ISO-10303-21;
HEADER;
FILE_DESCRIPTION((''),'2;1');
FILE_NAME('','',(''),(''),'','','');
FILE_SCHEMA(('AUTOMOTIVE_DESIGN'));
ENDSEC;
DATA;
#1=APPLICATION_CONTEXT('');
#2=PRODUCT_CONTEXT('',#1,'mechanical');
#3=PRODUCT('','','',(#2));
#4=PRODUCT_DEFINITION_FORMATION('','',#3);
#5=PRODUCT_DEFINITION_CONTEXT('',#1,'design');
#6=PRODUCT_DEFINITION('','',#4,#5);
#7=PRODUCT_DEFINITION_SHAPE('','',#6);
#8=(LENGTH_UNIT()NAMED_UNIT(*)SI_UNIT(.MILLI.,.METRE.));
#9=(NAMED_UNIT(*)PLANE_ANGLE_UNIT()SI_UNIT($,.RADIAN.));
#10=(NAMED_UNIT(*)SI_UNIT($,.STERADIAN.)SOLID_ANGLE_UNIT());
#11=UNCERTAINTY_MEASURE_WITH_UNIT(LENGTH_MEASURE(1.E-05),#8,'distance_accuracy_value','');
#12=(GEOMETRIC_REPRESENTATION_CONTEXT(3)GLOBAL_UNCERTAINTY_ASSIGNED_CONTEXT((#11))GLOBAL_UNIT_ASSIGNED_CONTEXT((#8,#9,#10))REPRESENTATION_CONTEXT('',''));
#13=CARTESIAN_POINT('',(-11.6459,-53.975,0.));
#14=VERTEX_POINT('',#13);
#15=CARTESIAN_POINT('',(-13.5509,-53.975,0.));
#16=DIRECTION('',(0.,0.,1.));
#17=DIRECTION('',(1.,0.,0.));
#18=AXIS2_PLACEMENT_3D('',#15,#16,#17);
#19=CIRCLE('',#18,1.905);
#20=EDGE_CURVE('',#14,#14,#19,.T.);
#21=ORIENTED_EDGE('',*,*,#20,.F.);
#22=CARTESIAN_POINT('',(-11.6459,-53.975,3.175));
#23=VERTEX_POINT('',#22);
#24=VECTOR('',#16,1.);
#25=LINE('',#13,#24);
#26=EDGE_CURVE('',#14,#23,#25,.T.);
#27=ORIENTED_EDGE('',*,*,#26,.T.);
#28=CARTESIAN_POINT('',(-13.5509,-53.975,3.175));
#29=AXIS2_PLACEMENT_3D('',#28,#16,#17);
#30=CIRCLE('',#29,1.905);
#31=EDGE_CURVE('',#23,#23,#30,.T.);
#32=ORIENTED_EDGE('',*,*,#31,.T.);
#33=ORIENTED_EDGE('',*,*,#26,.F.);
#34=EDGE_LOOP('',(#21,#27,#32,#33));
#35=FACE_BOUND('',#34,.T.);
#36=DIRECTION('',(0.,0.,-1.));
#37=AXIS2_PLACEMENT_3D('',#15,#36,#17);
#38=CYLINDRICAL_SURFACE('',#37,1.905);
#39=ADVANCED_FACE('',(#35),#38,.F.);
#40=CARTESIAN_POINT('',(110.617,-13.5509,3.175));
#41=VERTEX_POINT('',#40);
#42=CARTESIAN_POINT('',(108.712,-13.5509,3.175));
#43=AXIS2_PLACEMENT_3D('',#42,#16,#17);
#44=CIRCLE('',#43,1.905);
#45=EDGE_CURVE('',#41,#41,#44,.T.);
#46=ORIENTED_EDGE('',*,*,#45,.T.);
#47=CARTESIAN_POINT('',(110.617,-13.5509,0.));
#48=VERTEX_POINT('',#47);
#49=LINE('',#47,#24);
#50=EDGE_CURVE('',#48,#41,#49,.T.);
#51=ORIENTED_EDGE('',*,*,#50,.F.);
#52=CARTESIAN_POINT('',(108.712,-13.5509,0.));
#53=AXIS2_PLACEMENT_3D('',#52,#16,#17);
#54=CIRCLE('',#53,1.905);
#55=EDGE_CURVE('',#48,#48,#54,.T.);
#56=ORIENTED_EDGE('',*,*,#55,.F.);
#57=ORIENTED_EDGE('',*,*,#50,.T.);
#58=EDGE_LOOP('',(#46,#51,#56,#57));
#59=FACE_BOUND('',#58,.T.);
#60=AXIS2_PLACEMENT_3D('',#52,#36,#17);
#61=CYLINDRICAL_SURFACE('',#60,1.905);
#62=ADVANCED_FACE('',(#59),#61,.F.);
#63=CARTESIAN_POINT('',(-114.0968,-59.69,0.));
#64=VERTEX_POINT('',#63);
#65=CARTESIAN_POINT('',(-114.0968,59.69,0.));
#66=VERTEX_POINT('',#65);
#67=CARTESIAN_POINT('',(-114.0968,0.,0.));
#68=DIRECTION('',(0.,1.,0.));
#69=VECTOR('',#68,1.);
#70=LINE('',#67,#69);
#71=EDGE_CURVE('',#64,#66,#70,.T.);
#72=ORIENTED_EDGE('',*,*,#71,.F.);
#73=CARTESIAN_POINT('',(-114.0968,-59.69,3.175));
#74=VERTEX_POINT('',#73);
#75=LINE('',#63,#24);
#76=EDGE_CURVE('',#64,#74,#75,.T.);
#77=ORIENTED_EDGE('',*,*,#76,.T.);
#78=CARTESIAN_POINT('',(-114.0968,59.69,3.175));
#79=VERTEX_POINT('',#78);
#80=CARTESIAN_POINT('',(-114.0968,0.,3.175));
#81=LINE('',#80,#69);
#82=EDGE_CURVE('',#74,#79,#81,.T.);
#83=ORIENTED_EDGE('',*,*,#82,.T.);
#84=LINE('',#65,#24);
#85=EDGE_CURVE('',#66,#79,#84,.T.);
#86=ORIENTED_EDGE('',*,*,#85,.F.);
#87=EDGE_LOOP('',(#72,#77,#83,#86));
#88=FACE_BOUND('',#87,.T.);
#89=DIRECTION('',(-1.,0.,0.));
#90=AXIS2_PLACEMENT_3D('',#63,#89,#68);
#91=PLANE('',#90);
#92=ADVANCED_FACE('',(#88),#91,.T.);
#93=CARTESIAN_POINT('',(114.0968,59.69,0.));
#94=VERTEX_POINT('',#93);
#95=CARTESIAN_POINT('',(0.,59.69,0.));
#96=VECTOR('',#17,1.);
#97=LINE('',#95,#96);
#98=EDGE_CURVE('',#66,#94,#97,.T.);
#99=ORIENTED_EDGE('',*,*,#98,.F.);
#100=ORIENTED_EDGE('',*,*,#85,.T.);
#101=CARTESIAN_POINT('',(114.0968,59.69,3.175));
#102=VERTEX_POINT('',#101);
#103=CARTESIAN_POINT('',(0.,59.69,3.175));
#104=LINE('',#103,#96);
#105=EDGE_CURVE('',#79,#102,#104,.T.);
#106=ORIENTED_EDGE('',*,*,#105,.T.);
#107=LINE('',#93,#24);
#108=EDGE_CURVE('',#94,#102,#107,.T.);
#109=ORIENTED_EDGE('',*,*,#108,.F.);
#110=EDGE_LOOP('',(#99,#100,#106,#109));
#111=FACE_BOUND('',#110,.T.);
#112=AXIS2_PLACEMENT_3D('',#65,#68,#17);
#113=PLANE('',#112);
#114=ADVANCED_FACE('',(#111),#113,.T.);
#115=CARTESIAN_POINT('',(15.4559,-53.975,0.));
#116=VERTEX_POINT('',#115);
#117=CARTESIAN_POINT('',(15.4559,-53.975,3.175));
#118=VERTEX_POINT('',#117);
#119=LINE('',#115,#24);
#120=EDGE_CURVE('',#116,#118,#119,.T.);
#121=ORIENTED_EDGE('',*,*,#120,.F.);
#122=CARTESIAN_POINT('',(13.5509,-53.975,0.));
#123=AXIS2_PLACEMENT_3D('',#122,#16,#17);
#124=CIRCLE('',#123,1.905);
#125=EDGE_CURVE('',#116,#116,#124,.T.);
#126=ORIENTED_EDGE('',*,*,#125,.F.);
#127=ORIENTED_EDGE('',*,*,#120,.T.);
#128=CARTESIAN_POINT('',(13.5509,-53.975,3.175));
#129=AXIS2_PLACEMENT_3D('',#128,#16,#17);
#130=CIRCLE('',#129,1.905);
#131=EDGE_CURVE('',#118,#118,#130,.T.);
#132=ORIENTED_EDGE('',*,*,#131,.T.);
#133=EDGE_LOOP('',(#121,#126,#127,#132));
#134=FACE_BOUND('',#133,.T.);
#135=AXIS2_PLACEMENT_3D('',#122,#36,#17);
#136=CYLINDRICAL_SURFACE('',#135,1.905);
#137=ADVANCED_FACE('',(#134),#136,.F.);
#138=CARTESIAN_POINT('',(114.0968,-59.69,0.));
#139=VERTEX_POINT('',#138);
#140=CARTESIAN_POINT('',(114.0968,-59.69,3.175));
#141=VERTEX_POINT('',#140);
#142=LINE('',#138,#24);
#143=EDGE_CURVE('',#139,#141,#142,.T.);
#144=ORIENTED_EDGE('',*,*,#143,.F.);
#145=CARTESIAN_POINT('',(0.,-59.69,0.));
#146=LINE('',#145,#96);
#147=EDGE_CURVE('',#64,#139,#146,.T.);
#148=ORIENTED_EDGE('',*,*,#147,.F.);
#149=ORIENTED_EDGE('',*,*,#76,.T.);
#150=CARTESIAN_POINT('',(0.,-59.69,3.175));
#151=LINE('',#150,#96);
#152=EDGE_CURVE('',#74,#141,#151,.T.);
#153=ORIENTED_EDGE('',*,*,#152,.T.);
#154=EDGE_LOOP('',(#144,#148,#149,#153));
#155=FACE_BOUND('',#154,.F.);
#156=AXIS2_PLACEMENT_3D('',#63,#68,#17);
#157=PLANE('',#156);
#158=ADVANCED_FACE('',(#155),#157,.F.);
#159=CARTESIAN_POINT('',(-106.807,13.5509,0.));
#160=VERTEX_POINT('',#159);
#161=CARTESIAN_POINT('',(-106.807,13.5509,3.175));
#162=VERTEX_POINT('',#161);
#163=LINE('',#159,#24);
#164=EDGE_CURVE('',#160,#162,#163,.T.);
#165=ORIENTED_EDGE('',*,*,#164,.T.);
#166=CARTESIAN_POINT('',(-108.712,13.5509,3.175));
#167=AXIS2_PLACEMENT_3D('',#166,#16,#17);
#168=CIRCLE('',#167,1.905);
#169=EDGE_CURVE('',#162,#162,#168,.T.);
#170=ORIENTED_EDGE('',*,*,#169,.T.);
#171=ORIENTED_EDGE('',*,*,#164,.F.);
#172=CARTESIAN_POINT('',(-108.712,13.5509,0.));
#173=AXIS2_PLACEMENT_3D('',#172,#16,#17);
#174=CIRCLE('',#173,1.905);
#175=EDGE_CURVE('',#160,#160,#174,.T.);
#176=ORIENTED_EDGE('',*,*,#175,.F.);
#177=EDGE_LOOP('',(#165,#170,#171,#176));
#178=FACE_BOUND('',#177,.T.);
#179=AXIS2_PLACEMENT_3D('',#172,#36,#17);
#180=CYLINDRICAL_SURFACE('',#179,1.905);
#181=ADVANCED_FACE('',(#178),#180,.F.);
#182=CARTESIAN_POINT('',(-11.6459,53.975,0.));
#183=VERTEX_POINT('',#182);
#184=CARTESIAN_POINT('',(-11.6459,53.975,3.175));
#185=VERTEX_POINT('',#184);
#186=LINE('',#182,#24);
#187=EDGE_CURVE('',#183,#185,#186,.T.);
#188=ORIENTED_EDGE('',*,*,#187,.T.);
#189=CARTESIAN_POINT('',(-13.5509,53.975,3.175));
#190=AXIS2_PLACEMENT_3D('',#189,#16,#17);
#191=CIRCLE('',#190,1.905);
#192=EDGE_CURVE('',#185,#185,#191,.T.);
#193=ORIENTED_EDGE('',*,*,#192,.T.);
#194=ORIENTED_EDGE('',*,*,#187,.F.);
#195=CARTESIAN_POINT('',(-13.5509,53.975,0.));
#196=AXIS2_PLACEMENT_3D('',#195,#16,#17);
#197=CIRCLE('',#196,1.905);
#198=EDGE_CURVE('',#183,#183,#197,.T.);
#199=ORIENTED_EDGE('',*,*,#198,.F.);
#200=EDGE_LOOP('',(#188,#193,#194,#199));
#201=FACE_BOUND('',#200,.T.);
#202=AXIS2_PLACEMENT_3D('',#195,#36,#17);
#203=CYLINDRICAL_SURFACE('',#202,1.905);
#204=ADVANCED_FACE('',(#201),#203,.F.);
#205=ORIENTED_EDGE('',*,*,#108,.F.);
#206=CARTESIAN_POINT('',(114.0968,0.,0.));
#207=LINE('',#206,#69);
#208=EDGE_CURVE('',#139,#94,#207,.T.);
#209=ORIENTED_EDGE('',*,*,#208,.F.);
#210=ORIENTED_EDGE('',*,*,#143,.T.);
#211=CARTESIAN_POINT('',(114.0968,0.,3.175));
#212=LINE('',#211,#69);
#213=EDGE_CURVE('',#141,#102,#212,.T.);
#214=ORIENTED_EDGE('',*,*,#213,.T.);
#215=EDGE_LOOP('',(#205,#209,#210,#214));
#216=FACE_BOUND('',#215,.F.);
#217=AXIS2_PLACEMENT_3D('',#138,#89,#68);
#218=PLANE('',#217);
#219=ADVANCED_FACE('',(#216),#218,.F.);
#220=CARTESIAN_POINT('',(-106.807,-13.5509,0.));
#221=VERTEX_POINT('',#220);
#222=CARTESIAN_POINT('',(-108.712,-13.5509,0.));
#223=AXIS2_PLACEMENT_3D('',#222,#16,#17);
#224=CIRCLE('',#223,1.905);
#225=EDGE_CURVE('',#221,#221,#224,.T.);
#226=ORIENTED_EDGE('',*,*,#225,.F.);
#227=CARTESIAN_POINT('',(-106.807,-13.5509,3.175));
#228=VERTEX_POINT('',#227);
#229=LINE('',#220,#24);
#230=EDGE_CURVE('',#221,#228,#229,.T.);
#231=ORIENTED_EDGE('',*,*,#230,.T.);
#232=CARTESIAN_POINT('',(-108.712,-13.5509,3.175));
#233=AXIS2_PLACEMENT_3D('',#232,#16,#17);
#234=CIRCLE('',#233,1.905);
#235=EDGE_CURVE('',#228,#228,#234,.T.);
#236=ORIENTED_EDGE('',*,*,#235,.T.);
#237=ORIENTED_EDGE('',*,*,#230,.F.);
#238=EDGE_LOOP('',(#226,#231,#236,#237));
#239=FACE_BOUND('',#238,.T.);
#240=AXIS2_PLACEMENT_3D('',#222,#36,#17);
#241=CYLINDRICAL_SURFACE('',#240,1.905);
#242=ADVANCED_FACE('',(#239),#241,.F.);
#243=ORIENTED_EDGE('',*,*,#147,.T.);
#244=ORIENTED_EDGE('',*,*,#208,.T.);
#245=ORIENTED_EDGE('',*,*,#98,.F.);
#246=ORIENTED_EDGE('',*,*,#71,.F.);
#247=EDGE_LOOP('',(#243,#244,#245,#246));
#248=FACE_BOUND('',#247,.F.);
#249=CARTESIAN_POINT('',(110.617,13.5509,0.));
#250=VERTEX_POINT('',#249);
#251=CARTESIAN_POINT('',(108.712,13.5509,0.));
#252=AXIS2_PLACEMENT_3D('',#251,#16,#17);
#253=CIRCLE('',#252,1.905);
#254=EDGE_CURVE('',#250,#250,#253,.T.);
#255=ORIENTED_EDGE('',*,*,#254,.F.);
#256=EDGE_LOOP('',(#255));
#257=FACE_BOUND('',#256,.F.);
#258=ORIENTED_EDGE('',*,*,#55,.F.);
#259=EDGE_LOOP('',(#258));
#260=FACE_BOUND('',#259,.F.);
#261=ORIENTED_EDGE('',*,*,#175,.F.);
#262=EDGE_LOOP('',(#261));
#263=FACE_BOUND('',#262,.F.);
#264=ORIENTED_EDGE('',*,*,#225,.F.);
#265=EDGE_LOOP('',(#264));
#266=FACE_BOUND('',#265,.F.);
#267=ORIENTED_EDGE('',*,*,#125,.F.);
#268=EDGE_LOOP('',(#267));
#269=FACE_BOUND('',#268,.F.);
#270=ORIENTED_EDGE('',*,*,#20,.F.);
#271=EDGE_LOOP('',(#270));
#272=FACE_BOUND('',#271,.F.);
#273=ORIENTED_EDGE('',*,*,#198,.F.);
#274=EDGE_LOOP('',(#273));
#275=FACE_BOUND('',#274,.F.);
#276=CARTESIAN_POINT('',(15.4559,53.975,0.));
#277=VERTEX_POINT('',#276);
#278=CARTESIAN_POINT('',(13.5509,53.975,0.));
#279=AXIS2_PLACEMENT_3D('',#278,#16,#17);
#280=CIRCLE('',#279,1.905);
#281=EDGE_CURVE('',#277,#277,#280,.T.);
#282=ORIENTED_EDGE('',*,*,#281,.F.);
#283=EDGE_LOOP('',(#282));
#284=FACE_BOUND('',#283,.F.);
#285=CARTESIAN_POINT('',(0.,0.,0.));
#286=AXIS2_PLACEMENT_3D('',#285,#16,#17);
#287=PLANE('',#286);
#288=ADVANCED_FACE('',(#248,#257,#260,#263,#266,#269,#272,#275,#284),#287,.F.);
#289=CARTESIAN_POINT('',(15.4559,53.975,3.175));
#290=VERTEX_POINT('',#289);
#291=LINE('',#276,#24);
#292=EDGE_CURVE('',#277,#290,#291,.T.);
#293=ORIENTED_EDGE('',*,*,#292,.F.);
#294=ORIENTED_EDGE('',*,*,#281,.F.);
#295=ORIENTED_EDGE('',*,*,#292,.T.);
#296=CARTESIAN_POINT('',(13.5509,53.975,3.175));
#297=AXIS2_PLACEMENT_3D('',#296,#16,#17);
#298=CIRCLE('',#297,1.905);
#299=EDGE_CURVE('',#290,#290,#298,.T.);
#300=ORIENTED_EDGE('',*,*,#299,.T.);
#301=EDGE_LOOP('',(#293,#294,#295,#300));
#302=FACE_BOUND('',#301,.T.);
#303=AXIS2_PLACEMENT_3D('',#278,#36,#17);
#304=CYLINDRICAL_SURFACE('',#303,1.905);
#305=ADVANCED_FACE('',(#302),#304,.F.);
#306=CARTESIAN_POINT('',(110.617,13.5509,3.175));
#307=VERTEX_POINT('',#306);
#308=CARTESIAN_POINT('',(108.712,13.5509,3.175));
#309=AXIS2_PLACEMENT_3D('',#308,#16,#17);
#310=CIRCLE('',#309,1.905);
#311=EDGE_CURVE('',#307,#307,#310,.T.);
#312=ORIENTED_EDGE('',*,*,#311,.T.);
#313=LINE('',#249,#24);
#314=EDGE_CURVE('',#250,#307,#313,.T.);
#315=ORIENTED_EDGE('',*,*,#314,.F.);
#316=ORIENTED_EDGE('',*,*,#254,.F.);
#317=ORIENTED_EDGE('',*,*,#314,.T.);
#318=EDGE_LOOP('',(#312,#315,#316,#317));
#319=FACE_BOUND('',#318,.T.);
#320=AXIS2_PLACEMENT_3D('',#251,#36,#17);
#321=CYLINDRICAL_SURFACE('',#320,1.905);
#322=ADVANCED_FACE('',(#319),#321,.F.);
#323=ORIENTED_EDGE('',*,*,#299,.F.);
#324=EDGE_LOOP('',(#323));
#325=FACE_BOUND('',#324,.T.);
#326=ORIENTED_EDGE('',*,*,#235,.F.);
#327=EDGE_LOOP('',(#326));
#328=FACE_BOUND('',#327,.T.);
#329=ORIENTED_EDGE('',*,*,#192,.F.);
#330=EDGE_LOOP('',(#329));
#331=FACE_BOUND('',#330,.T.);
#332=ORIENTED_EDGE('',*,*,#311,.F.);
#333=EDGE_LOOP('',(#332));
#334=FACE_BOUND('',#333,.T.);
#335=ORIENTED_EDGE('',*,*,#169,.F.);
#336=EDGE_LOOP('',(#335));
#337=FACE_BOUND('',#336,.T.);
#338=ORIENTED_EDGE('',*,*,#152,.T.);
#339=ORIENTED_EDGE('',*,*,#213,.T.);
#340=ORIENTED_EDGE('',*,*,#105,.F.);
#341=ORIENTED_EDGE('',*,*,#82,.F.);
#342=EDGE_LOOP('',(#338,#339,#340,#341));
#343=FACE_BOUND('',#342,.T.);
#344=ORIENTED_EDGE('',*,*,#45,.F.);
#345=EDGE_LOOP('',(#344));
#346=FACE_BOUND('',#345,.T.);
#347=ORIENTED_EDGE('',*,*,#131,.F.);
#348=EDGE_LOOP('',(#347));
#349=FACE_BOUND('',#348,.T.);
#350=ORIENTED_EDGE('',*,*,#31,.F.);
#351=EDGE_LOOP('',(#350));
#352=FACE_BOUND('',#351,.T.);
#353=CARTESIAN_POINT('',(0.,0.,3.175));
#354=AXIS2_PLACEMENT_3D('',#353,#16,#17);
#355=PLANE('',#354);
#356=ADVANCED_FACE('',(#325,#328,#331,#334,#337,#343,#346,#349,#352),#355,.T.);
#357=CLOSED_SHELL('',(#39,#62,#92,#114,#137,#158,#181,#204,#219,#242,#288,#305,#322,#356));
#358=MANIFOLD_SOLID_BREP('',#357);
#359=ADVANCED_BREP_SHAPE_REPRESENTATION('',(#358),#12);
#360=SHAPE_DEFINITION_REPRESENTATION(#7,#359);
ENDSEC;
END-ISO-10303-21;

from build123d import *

# Parameters (mm, degrees)
SKETCH1_W           = 228.1936
SKETCH1_H           = 119.38
SKETCH1_R           = 1.905
BOSS_EXTRUDE1_DEPTH = 3.175


with BuildPart() as part:
    # Sketch1 → Boss-Extrude1 (new body)
    with BuildSketch(Plane.XY):
        Rectangle(SKETCH1_W, SKETCH1_H)
        with Locations((-108.712, 13.5509)):
            Circle(SKETCH1_R, mode=Mode.SUBTRACT)
        with Locations((-108.712, -13.5509)):
            Circle(SKETCH1_R, mode=Mode.SUBTRACT)
        with Locations((108.712, -13.5509)):
            Circle(SKETCH1_R, mode=Mode.SUBTRACT)
        with Locations((108.712, 13.5509)):
            Circle(SKETCH1_R, mode=Mode.SUBTRACT)
        with Locations((-13.5509, 53.975)):
            Circle(SKETCH1_R, mode=Mode.SUBTRACT)
        with Locations((13.5509, 53.975)):
            Circle(SKETCH1_R, mode=Mode.SUBTRACT)
        with Locations((13.5509, -53.975)):
            Circle(SKETCH1_R, mode=Mode.SUBTRACT)
        with Locations((-13.5509, -53.975)):
            Circle(SKETCH1_R, mode=Mode.SUBTRACT)
    extrude(amount=BOSS_EXTRUDE1_DEPTH)


solid = part.part
